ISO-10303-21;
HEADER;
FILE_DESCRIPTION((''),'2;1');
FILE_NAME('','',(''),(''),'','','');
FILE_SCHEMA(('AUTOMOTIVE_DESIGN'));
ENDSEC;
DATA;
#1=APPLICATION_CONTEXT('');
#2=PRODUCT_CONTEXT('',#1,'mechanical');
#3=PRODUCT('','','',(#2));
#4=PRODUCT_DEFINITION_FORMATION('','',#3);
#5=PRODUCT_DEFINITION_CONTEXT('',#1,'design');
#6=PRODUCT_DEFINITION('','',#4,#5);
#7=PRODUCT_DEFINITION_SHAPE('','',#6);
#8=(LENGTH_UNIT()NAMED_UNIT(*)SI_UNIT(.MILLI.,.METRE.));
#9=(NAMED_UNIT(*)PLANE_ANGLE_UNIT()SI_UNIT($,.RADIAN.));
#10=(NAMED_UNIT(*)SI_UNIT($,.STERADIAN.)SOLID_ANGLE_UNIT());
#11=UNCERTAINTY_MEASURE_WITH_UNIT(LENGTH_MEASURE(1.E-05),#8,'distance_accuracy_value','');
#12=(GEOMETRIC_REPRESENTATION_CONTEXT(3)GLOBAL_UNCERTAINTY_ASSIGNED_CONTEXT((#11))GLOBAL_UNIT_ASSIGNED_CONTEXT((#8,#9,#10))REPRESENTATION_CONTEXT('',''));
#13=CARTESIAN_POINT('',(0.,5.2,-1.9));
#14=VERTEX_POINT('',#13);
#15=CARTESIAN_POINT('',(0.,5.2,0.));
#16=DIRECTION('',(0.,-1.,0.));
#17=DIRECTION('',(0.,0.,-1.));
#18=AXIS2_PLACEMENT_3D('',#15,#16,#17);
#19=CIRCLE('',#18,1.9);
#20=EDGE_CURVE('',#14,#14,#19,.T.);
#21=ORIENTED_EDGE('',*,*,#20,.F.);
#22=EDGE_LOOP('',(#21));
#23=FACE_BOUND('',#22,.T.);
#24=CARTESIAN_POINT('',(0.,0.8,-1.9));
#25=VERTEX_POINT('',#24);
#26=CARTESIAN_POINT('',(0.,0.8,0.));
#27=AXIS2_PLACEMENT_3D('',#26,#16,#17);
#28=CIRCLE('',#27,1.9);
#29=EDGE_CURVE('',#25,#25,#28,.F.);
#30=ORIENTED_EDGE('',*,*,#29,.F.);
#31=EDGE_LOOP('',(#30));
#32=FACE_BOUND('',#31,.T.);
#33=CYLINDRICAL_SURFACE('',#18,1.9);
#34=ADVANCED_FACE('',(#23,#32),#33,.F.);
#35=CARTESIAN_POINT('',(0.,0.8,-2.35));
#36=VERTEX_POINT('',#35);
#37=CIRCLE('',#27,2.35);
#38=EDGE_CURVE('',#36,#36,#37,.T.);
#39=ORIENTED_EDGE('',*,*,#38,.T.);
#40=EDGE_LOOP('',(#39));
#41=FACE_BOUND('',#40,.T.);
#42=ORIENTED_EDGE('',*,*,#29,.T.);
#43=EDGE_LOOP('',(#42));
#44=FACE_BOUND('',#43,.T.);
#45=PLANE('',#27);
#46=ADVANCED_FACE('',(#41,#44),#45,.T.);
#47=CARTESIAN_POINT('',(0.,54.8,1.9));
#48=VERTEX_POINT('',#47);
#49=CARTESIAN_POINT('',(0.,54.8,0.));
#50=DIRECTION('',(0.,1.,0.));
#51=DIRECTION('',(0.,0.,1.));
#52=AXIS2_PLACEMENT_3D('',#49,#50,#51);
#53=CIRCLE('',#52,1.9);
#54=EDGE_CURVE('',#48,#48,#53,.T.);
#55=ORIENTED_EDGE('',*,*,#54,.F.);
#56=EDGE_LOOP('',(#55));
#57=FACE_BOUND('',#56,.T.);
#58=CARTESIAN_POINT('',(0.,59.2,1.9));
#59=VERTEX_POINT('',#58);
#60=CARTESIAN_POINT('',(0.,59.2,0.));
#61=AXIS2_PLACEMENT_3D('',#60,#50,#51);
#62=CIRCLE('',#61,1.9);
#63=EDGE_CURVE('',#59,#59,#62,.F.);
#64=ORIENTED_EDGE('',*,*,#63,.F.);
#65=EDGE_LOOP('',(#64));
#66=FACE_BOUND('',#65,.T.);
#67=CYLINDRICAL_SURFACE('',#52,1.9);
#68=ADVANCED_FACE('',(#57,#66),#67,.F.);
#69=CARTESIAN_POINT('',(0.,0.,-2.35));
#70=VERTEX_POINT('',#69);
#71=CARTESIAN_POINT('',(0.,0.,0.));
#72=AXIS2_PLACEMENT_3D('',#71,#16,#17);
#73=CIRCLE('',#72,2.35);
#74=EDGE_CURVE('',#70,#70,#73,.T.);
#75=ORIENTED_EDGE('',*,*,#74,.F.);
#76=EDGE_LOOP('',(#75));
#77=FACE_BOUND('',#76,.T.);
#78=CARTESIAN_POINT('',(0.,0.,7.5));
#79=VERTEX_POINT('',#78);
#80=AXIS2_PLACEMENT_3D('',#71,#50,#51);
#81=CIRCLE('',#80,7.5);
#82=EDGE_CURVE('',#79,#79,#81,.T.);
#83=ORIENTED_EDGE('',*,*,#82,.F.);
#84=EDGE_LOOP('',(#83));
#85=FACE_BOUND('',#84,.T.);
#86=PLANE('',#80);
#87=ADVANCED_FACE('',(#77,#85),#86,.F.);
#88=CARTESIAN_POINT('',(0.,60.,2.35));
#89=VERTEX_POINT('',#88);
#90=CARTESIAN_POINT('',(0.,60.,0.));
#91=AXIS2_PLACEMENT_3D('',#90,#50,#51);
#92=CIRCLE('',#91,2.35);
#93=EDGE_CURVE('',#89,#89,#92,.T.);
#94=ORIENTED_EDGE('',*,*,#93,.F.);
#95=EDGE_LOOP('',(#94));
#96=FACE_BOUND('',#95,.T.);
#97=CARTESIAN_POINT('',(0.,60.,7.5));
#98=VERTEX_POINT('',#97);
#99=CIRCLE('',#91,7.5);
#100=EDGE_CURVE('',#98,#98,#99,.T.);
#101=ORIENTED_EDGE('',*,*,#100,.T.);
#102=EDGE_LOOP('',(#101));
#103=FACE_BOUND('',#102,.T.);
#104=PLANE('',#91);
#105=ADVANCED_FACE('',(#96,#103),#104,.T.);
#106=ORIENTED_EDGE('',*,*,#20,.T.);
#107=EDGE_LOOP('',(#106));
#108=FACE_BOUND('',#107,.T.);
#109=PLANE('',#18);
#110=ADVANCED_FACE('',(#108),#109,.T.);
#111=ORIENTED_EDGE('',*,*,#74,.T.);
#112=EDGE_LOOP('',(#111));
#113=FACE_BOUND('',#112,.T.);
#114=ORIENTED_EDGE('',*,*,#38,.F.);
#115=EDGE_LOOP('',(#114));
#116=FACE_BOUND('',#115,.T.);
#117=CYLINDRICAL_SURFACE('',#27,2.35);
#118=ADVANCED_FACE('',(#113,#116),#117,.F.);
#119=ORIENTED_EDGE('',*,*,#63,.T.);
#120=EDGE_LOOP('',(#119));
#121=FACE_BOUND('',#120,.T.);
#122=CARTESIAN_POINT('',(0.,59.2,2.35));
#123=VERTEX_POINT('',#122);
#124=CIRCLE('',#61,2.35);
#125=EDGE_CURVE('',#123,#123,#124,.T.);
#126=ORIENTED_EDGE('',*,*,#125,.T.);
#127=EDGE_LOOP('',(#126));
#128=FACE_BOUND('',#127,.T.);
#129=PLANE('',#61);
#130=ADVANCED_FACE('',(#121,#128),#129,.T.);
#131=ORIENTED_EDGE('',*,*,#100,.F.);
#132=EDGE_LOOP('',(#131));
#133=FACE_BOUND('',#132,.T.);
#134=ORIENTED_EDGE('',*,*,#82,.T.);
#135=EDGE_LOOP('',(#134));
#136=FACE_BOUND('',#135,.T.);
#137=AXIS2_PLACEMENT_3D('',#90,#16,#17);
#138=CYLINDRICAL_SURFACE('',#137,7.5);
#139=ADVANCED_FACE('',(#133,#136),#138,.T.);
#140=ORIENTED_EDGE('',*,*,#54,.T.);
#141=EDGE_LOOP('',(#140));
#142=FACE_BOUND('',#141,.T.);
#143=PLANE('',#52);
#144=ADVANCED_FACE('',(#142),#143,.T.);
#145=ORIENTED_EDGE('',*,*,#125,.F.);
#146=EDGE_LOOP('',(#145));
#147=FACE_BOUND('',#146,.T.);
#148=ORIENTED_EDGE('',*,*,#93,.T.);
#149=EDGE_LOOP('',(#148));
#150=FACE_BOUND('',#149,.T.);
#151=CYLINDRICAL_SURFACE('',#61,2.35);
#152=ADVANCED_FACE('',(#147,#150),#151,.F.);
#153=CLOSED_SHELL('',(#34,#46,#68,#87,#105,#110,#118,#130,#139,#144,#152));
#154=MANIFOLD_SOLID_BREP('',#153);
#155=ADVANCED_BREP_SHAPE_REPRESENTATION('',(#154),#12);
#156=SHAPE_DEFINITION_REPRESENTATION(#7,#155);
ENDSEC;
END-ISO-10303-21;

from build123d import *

# Parameters (mm, degrees)
SKETCH1_R           = 7.5
BOSS_EXTRUDE1_DEPTH = 60
SKETCH2_R           = 1.9
CUT_EXTRUDE1_DEPTH  = 5.2
CUT_EXTRUDE2_START  = -5.2
SKETCH3_R           = 1.9
CUT_EXTRUDE2_DEPTH  = 5.2
SKETCH4_R           = 2.35
CUT_EXTRUDE3_DEPTH  = 0.8
CUT_EXTRUDE4_START  = -0.8
SKETCH5_R           = 2.35
CUT_EXTRUDE4_DEPTH  = 0.8


with BuildPart() as part:
    # Sketch1 → Boss-Extrude1 (new body)
    with BuildSketch(Plane(origin=(0, 0, 0), x_dir=(1, 0, 0), z_dir=(0, 1, 0))):
        with Locations(Location((0, 0, 0), (0, 0, 270))):
            Circle(SKETCH1_R)
    extrude(amount=BOSS_EXTRUDE1_DEPTH)

    # Sketch2 → Cut-Extrude1 (cut)
    with BuildSketch(Plane(origin=(0, 60, 0), x_dir=(1, 0, 0), z_dir=(0, 1, 0))):
        with Locations(Location((0, 0, 0), (0, 0, 270))):
            Circle(SKETCH2_R)
    extrude(amount=-CUT_EXTRUDE1_DEPTH, mode=Mode.SUBTRACT)

    # Sketch3 → Cut-Extrude2 (cut)
    with BuildSketch(Plane.XZ.offset(CUT_EXTRUDE2_START)):
        with Locations(Location((0, 0, 0), (0, 0, 90))):
            Circle(SKETCH3_R)
    extrude(amount=CUT_EXTRUDE2_DEPTH, mode=Mode.SUBTRACT)

    # Sketch4 → Cut-Extrude3 (cut)
    with BuildSketch(Plane(origin=(0, 60, 0), x_dir=(1, 0, 0), z_dir=(0, 1, 0))):
        with Locations(Location((0, 0, 0), (0, 0, 270))):
            Circle(SKETCH4_R)
    extrude(amount=-CUT_EXTRUDE3_DEPTH, mode=Mode.SUBTRACT)

    # Sketch5 → Cut-Extrude4 (cut)
    with BuildSketch(Plane.XZ.offset(CUT_EXTRUDE4_START)):
        with Locations(Location((0, 0, 0), (0, 0, 90))):
            Circle(SKETCH5_R)
    extrude(amount=CUT_EXTRUDE4_DEPTH, mode=Mode.SUBTRACT)


solid = part.part
